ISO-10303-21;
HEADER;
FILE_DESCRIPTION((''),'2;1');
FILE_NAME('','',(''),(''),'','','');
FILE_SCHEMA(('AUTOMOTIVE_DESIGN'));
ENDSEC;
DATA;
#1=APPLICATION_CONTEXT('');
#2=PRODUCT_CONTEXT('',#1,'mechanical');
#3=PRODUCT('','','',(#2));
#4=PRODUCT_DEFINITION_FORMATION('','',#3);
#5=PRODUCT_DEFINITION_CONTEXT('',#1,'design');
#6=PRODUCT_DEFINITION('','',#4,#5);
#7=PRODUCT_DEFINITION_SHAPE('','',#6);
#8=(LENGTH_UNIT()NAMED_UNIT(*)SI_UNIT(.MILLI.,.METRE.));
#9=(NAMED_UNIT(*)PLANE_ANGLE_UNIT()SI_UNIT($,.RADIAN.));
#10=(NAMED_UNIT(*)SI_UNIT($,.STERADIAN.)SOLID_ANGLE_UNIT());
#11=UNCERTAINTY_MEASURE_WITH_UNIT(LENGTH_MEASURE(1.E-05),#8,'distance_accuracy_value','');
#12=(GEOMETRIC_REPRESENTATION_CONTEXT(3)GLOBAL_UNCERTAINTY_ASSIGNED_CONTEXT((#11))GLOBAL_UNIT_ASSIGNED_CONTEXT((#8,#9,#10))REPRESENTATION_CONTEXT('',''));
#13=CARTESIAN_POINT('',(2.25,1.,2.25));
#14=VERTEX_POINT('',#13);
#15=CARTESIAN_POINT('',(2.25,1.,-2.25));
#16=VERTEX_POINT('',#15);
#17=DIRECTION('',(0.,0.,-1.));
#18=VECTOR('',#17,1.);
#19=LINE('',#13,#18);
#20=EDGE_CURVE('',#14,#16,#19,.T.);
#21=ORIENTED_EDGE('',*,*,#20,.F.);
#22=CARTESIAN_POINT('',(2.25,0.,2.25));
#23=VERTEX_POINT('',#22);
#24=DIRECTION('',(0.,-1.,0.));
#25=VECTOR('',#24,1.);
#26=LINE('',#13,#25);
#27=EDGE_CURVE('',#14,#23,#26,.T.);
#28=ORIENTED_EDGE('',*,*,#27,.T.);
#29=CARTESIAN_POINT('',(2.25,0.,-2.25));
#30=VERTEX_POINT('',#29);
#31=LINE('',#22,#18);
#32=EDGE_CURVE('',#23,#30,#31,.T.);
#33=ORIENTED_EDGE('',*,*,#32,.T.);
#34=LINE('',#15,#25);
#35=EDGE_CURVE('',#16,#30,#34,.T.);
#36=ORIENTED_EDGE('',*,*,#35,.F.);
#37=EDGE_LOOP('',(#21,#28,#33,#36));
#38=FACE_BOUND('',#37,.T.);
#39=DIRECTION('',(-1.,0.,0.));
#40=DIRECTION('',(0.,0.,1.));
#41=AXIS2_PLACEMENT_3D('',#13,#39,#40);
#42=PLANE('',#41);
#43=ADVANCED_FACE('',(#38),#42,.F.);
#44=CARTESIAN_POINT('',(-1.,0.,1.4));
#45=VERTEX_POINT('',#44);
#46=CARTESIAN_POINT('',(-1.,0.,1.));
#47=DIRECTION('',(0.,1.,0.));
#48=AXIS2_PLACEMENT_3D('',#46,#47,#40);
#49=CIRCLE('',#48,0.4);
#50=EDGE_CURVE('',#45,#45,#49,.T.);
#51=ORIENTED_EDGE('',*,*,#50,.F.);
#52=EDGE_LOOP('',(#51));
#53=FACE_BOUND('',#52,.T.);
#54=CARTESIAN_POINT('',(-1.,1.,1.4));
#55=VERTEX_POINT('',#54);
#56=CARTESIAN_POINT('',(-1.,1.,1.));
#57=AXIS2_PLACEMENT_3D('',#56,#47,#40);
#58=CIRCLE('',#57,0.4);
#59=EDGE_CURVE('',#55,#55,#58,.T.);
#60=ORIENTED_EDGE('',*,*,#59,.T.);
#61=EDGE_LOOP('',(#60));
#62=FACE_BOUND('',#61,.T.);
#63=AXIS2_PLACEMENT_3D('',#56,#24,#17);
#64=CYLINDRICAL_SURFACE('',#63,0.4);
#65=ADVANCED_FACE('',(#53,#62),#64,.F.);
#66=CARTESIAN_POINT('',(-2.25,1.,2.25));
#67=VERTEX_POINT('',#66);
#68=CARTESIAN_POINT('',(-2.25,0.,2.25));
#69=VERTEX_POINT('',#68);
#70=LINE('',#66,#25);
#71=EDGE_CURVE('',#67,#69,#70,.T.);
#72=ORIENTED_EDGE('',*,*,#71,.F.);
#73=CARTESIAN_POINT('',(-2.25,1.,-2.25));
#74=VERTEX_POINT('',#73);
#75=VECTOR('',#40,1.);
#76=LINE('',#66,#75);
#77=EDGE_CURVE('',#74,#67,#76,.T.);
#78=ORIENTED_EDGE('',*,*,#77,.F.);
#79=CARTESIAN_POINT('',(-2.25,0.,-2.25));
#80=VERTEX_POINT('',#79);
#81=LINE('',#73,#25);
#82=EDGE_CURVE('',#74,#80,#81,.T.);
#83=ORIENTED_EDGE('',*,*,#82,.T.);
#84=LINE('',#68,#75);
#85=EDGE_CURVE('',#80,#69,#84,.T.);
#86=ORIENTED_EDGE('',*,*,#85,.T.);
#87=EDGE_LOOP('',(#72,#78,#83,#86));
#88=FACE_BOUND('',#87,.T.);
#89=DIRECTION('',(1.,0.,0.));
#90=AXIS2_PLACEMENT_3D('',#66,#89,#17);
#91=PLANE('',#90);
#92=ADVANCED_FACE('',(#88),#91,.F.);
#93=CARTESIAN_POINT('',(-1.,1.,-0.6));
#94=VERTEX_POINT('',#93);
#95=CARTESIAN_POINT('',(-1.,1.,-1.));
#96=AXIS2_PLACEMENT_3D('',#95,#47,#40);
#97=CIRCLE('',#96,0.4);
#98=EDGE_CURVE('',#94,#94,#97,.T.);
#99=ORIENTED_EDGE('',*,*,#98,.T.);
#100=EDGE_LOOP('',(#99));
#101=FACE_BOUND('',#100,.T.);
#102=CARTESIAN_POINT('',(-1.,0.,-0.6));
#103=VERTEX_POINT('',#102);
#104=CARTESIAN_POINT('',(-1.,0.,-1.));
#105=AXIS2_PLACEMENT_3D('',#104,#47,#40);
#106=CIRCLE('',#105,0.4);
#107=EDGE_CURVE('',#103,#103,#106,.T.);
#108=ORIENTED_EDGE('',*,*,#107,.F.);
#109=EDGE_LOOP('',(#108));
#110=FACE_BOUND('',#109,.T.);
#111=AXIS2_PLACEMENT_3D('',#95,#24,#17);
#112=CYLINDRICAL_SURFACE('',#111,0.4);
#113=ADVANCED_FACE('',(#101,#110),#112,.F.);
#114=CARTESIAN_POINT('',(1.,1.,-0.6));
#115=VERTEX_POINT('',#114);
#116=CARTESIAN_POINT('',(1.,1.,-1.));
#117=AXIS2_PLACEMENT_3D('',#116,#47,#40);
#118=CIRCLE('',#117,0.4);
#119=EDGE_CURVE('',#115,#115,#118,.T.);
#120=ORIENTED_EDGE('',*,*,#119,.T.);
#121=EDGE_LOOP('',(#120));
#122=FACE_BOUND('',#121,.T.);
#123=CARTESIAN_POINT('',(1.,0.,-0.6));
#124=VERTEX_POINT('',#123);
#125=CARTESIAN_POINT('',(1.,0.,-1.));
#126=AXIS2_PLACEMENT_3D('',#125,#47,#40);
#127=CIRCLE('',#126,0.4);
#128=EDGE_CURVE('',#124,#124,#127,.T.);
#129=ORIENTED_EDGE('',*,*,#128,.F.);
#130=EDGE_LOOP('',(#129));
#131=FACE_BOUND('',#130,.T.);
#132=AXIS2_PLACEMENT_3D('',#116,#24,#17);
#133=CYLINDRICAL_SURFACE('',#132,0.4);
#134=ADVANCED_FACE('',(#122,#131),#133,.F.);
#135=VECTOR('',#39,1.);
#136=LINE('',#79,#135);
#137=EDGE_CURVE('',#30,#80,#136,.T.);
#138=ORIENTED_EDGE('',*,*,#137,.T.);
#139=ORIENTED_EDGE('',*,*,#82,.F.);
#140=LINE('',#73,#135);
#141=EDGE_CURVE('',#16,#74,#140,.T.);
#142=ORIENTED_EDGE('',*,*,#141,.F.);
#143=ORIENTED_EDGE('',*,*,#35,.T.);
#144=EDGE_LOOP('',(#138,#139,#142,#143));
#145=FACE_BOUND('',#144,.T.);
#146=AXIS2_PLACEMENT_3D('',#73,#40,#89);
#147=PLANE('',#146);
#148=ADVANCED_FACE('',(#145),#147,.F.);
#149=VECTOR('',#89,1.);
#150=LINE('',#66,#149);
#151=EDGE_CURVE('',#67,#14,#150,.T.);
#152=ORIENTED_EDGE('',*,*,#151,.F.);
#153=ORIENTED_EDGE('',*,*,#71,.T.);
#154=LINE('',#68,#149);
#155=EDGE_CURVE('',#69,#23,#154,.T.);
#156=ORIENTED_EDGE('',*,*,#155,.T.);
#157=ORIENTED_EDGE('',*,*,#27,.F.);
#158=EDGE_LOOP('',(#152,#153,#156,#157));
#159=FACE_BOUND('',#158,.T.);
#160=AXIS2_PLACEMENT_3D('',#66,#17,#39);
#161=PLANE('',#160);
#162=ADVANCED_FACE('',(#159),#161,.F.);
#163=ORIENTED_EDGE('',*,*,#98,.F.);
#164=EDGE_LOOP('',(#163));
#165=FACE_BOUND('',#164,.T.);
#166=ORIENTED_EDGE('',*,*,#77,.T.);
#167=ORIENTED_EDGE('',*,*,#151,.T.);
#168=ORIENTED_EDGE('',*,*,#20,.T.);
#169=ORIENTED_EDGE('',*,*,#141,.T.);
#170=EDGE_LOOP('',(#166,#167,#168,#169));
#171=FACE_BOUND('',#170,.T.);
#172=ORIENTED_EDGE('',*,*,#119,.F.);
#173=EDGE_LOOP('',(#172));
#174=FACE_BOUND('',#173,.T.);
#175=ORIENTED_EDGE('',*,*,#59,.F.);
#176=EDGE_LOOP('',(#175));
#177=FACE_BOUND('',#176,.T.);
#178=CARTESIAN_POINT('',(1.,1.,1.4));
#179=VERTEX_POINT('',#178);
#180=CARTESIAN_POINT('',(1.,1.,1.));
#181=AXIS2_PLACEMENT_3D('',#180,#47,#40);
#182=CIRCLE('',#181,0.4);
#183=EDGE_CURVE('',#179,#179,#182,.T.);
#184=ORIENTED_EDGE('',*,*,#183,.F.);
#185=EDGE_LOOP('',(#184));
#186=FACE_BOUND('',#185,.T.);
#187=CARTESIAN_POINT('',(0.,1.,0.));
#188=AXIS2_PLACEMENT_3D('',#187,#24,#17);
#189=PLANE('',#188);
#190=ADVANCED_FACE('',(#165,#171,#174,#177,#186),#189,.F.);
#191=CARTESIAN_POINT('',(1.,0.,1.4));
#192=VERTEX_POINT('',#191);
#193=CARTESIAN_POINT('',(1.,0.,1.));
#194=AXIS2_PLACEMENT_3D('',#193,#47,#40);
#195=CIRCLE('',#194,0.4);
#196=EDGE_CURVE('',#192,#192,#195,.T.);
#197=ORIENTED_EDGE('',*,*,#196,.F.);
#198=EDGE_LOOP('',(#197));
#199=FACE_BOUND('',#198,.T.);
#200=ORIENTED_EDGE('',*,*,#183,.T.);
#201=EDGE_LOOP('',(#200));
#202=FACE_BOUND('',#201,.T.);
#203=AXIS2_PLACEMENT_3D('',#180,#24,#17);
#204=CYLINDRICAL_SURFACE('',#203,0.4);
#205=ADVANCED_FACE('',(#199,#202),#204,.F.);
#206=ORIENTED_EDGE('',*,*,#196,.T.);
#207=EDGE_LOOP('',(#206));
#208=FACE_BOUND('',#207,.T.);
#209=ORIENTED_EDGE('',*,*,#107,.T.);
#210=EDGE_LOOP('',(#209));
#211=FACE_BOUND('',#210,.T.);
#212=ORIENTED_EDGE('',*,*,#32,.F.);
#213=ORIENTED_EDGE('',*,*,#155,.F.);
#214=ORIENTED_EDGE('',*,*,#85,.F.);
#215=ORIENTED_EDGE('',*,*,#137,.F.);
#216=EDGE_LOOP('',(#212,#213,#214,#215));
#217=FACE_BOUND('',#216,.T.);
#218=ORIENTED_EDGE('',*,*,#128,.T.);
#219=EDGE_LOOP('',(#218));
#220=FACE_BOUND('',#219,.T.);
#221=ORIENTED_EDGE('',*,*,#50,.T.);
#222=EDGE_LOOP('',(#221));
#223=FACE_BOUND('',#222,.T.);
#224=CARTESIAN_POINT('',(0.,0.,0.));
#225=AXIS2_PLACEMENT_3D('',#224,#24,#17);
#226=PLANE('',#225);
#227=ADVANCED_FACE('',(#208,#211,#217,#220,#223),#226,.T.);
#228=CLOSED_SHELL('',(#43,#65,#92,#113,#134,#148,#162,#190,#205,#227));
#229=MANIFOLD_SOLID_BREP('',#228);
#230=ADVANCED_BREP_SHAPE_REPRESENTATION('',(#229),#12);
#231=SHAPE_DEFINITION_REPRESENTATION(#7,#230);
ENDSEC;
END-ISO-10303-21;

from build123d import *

# Parameters (mm, degrees)
SKETCH_1_W      = 4.5
SKETCH_1_H      = 4.5
SKETCH_1_R      = 0.4
EXTRUDE_1_DEPTH = 1


with BuildPart() as part:
    # 草图1 → 凸台-拉伸1 (new body)
    with BuildSketch(Plane(origin=(0, 0, 0), x_dir=(1, 0, 0), z_dir=(0, 1, 0))):
        Rectangle(SKETCH_1_W, SKETCH_1_H)
        with Locations(Location((-1, 1, 0), (0, 0, 270))):
            Circle(SKETCH_1_R, mode=Mode.SUBTRACT)
        with Locations(Location((1, 1, 0), (0, 0, 270))):
            Circle(SKETCH_1_R, mode=Mode.SUBTRACT)
        with Locations(Location((1, -1, 0), (0, 0, 270))):
            Circle(SKETCH_1_R, mode=Mode.SUBTRACT)
        with Locations(Location((-1, -1, 0), (0, 0, 270))):
            Circle(SKETCH_1_R, mode=Mode.SUBTRACT)
    extrude(amount=EXTRUDE_1_DEPTH)


solid = part.part
